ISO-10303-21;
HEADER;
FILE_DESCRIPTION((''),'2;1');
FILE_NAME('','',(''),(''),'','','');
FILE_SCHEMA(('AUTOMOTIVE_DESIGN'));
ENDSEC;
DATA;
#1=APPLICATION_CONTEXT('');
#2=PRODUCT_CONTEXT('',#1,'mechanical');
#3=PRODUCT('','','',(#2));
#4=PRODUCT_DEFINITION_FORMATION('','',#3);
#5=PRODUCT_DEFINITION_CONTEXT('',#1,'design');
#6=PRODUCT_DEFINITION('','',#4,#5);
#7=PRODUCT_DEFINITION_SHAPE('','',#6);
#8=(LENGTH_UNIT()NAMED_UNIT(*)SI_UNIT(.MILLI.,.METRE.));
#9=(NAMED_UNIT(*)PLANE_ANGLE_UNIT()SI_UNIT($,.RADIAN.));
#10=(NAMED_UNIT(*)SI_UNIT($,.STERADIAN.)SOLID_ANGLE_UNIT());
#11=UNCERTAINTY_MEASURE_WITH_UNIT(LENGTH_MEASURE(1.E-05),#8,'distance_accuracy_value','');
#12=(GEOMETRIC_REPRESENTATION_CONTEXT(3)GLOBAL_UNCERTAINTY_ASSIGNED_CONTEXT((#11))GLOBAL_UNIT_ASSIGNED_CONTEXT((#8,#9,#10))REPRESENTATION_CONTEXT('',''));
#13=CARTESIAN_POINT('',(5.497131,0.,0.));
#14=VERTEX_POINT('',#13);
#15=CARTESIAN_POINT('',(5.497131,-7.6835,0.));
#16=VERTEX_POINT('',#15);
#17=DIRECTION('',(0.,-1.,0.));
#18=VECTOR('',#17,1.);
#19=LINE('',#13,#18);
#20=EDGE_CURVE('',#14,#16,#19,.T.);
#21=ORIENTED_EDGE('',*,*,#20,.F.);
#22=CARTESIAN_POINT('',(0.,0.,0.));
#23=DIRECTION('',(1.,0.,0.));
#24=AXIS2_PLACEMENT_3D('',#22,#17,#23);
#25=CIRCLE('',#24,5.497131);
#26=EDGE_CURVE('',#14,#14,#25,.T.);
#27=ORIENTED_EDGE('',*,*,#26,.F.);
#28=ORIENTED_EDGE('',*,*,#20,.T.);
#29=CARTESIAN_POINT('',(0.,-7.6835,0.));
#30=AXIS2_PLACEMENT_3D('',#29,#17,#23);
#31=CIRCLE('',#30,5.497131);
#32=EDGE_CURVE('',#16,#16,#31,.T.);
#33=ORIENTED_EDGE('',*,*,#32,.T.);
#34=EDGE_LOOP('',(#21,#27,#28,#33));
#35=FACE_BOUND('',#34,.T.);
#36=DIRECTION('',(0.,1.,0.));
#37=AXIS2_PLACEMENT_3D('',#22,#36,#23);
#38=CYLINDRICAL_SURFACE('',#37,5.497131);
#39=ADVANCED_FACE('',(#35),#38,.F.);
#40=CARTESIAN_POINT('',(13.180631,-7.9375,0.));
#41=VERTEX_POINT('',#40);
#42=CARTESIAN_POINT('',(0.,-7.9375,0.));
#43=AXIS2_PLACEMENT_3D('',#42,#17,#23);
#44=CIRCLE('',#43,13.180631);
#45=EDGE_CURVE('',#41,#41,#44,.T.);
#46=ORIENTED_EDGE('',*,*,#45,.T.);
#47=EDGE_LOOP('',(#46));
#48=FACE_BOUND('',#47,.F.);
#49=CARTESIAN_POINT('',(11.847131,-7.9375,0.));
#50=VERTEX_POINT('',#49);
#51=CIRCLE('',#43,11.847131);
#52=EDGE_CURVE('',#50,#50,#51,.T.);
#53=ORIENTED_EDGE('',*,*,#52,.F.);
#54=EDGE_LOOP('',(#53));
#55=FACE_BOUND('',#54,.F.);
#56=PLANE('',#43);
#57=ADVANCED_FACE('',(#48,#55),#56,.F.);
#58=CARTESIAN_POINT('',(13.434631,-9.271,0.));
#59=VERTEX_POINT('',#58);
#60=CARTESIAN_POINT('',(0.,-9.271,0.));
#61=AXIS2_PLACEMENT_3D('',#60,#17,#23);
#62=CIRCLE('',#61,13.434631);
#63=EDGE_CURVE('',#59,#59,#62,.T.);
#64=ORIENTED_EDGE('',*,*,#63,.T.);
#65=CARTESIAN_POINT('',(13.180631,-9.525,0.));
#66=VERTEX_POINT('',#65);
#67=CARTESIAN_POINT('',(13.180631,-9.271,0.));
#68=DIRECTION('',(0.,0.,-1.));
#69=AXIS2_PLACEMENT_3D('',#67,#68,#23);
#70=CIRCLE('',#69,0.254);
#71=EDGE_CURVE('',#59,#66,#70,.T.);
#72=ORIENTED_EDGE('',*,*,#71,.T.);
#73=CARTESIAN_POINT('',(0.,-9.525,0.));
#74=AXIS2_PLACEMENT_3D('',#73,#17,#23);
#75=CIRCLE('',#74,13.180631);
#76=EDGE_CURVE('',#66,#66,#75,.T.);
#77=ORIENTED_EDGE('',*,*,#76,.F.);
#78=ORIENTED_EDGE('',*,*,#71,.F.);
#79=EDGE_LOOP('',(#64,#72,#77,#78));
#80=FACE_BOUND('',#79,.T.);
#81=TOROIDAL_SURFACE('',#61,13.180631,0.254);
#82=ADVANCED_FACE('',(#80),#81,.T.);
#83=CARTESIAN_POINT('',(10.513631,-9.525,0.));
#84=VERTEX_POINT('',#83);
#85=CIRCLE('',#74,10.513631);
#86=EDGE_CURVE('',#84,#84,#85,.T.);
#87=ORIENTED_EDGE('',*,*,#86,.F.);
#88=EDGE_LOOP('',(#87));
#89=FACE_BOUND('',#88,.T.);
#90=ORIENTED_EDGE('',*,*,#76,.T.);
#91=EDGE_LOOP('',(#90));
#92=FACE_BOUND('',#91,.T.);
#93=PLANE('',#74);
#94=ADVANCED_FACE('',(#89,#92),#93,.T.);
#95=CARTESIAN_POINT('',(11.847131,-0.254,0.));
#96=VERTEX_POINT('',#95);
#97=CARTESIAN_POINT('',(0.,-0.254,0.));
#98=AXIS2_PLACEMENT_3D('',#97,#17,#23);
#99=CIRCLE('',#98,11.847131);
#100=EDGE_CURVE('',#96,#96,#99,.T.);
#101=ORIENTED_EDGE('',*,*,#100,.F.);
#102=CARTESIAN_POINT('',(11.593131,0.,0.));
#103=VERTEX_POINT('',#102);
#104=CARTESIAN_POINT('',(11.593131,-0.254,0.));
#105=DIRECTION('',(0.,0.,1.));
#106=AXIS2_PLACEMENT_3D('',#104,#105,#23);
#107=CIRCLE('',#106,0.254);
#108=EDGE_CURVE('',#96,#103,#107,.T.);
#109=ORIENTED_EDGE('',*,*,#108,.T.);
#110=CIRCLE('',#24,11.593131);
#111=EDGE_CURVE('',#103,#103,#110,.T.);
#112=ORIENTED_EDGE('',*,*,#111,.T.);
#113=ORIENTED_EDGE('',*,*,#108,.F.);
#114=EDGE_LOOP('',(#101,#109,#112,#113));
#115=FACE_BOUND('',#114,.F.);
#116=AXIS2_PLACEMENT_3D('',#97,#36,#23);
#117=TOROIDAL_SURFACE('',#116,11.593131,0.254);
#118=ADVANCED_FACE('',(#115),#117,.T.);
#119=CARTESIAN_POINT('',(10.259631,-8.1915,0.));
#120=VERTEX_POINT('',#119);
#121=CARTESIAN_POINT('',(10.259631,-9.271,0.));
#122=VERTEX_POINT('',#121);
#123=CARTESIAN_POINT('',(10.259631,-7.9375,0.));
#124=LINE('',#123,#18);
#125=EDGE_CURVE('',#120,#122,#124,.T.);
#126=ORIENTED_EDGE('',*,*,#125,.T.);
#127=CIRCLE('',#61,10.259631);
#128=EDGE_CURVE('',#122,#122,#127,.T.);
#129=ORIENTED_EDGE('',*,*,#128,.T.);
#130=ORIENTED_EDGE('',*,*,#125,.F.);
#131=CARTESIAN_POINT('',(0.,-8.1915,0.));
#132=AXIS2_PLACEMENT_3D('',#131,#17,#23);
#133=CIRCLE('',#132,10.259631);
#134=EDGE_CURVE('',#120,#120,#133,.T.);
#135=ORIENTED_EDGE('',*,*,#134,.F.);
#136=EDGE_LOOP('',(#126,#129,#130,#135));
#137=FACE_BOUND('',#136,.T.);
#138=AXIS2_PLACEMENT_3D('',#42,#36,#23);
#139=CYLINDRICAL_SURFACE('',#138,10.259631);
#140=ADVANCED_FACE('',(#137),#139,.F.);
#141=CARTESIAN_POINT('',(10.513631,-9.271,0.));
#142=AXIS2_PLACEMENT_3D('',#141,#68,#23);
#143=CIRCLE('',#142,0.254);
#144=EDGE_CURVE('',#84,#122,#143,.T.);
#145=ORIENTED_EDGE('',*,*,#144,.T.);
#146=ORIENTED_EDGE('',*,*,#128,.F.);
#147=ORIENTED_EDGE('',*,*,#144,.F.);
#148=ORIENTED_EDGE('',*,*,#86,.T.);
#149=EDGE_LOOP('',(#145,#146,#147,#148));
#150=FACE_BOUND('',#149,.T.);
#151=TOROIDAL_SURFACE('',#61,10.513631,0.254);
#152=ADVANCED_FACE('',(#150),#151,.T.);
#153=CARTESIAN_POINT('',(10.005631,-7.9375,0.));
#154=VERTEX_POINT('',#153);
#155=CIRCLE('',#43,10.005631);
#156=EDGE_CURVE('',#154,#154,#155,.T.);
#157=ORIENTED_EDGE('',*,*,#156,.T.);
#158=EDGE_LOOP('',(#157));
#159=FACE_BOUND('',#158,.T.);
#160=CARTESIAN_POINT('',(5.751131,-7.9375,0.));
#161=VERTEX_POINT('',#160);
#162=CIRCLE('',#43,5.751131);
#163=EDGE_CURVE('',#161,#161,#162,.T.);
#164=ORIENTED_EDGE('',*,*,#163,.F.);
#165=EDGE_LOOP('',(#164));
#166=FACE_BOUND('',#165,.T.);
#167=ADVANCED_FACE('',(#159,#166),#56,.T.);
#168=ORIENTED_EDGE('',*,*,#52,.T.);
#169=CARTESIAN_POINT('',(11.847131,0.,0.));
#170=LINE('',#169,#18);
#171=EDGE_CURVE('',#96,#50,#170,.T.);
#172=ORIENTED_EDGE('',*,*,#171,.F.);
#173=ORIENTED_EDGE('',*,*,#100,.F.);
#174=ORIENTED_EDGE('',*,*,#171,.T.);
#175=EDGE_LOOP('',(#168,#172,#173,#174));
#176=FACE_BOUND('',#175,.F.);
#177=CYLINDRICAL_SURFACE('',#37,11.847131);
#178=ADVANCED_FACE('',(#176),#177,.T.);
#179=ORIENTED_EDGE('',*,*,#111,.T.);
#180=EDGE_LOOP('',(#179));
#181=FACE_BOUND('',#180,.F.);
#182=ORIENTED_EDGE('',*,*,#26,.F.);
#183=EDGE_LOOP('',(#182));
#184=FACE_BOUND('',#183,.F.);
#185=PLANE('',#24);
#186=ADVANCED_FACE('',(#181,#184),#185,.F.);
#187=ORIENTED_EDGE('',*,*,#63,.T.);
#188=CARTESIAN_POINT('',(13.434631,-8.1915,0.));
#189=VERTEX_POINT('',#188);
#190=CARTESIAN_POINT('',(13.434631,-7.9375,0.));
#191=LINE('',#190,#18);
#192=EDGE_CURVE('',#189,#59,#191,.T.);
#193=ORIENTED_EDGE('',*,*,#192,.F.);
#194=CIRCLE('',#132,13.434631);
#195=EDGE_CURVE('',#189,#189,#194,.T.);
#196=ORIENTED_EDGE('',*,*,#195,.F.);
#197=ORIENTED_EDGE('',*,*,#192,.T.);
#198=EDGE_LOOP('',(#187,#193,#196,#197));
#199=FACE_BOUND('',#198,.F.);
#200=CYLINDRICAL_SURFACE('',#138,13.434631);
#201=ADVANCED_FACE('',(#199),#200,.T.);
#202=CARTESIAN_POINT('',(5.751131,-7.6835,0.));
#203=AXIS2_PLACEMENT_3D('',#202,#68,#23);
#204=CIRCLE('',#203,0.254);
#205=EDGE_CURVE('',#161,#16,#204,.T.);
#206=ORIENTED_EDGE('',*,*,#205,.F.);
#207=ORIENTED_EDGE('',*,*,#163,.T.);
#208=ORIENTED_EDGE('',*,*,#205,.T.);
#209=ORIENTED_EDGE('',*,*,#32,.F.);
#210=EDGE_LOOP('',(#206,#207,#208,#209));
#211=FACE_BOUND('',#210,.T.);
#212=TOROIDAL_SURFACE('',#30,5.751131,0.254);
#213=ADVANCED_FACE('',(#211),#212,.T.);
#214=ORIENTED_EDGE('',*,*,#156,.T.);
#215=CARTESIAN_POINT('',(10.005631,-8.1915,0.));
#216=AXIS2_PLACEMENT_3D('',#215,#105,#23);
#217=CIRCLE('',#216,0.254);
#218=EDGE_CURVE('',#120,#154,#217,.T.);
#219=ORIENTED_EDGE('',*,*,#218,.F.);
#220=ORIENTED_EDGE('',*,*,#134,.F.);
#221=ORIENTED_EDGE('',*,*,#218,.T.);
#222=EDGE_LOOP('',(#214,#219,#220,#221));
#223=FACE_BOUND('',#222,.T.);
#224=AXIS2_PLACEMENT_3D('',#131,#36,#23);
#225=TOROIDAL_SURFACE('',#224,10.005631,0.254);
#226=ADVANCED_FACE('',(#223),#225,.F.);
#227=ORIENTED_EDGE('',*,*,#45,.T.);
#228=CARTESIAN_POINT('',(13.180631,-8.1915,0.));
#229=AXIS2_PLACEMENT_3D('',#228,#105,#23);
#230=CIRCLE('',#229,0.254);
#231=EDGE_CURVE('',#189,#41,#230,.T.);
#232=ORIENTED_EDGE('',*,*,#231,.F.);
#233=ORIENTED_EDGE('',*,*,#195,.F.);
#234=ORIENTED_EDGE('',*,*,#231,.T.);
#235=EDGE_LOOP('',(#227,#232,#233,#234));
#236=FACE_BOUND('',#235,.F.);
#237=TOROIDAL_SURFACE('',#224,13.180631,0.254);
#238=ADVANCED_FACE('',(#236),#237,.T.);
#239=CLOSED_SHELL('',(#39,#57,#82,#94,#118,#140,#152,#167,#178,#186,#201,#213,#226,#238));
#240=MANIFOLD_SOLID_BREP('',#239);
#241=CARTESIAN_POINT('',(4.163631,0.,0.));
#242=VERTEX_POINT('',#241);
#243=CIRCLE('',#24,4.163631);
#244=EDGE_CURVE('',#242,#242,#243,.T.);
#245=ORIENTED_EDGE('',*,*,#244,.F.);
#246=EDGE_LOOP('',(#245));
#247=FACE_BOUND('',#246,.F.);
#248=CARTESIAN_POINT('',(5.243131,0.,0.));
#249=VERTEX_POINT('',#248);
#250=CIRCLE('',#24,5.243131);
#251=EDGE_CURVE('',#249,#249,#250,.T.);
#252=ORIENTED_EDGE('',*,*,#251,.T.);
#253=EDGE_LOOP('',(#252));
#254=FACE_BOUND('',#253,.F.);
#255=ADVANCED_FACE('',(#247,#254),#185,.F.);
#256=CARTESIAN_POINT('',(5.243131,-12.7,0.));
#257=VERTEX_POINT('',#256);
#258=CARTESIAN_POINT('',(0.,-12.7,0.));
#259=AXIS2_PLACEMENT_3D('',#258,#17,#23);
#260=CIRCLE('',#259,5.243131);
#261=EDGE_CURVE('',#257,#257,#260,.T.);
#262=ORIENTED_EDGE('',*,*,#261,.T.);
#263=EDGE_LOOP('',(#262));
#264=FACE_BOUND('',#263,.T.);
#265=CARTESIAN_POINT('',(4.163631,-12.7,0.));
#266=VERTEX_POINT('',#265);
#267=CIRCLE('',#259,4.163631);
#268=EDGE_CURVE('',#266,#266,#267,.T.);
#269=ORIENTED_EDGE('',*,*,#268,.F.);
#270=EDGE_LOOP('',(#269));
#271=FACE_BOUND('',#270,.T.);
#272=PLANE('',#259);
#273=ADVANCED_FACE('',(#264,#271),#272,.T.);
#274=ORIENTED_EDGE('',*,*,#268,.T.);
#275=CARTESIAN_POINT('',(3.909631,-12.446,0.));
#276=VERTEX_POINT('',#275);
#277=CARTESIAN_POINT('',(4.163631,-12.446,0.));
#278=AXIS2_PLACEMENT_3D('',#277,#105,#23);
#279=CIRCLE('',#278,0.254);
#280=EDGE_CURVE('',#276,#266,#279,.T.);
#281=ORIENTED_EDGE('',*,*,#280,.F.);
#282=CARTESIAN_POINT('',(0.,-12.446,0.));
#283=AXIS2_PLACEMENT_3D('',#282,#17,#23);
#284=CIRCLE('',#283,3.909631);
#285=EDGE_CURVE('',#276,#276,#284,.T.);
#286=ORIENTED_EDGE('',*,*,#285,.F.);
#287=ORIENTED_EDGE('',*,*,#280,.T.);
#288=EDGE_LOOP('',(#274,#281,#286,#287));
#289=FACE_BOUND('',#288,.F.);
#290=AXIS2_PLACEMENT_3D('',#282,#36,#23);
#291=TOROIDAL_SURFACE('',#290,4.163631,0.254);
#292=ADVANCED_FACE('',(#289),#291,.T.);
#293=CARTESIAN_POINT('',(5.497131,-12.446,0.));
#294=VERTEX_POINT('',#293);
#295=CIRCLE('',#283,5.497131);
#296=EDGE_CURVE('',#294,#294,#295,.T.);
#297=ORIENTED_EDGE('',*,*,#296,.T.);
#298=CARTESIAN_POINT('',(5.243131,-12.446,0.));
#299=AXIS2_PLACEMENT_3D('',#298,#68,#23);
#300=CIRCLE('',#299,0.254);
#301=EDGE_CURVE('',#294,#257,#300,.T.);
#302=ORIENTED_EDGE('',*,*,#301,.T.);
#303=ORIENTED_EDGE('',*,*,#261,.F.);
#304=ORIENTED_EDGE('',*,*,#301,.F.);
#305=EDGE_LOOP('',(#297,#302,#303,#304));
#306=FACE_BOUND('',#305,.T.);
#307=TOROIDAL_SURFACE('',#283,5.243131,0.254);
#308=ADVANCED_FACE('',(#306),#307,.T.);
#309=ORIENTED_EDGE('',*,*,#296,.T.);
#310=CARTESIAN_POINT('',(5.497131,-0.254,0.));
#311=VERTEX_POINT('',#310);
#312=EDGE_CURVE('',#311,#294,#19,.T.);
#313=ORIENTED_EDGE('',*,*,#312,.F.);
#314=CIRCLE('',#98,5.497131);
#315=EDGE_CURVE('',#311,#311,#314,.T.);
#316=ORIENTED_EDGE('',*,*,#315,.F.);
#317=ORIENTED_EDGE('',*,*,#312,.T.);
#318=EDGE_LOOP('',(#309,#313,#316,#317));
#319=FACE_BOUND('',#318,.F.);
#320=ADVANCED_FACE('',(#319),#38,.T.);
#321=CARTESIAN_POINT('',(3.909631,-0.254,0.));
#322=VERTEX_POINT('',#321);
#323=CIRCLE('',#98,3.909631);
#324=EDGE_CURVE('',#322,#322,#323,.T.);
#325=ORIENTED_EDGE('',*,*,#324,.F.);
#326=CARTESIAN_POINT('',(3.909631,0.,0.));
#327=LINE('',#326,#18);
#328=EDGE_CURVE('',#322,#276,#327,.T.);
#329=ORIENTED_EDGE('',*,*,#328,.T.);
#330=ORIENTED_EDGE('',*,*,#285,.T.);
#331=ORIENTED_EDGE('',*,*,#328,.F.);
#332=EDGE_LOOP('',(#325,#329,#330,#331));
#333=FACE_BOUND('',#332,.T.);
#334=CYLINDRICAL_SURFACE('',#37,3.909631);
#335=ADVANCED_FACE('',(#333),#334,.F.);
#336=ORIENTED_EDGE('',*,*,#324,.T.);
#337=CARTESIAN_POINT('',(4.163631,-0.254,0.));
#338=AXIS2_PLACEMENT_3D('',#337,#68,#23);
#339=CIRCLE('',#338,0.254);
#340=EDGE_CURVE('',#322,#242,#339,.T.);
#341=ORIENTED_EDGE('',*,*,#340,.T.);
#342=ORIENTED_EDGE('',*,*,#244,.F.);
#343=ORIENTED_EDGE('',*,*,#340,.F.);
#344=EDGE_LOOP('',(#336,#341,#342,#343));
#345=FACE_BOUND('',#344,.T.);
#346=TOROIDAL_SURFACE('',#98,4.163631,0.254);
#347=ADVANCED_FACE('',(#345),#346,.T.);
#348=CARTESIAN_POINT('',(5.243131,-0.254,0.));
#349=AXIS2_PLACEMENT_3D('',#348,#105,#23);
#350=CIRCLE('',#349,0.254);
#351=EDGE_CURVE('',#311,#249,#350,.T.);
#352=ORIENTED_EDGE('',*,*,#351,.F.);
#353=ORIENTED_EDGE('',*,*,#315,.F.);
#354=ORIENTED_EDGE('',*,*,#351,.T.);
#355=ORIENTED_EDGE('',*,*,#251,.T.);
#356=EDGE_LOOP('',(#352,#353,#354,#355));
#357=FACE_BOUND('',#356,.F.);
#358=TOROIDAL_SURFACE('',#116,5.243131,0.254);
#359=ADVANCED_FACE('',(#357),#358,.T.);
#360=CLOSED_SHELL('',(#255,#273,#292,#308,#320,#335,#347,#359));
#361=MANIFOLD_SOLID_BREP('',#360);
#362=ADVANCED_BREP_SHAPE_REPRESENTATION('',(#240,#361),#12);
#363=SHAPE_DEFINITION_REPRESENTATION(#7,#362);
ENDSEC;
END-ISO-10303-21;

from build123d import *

# Parameters (mm, degrees)
F0_R     = 5.4971314259
F0_R_2   = 3.9096314259
F1_DEPTH = 12.7
F0_R_3   = 11.8471314259
F2_DEPTH = 7.9375
F3_R     = 13.4346314259
F3_R_2   = 11.8471314259
F3_R_3   = 10.2596314259
F4_DEPTH = 1.5875
F5_R     = 0.254
F5_2_R   = 0.254


with BuildPart() as f1:
    # F0 (on Front) → F1 (new body)
    with BuildSketch(Plane.XZ):
        Circle(F0_R)
        Circle(F0_R_2, mode=Mode.SUBTRACT)
    extrude(amount=F1_DEPTH)

    # F5#2
    f5_2_edges = [f1.edges().sort_by_distance(p)[0] for p in [
        (-5.497131, -12.7, 0),
        (-3.909631, -12.7, 0),
        (-5.497131, 0, 0),
        (-3.909631, 0, 0),
    ]]
    fillet(f5_2_edges, radius=F5_2_R)


with BuildPart() as f2:
    # F0 (on Front) → F2 (new body)
    with BuildSketch(Plane.XZ):
        Circle(F0_R_3)
        Circle(F0_R, mode=Mode.SUBTRACT)
    extrude(amount=F2_DEPTH)

    # F3 (on face) → F4 (join)
    with BuildSketch(Plane.XZ.offset(7.9375)):
        Circle(F3_R)
        Circle(F3_R_2, mode=Mode.SUBTRACT)
        Circle(F3_R_2)
        Circle(F3_R_3, mode=Mode.SUBTRACT)
    extrude(amount=F4_DEPTH)

    # F5
    f5_edges = [f2.edges().sort_by_distance(p)[0] for p in [
        (-13.434631, -9.525, 0),
        (-13.434631, -7.9375, 0),
        (-10.259631, -9.525, 0),
        (-10.259631, -7.9375, 0),
        (-5.497131, -7.9375, 0),
        (-11.847131, 0, 0),
    ]]
    fillet(f5_edges, radius=F5_R)


solid = Compound([f1.part, f2.part])
